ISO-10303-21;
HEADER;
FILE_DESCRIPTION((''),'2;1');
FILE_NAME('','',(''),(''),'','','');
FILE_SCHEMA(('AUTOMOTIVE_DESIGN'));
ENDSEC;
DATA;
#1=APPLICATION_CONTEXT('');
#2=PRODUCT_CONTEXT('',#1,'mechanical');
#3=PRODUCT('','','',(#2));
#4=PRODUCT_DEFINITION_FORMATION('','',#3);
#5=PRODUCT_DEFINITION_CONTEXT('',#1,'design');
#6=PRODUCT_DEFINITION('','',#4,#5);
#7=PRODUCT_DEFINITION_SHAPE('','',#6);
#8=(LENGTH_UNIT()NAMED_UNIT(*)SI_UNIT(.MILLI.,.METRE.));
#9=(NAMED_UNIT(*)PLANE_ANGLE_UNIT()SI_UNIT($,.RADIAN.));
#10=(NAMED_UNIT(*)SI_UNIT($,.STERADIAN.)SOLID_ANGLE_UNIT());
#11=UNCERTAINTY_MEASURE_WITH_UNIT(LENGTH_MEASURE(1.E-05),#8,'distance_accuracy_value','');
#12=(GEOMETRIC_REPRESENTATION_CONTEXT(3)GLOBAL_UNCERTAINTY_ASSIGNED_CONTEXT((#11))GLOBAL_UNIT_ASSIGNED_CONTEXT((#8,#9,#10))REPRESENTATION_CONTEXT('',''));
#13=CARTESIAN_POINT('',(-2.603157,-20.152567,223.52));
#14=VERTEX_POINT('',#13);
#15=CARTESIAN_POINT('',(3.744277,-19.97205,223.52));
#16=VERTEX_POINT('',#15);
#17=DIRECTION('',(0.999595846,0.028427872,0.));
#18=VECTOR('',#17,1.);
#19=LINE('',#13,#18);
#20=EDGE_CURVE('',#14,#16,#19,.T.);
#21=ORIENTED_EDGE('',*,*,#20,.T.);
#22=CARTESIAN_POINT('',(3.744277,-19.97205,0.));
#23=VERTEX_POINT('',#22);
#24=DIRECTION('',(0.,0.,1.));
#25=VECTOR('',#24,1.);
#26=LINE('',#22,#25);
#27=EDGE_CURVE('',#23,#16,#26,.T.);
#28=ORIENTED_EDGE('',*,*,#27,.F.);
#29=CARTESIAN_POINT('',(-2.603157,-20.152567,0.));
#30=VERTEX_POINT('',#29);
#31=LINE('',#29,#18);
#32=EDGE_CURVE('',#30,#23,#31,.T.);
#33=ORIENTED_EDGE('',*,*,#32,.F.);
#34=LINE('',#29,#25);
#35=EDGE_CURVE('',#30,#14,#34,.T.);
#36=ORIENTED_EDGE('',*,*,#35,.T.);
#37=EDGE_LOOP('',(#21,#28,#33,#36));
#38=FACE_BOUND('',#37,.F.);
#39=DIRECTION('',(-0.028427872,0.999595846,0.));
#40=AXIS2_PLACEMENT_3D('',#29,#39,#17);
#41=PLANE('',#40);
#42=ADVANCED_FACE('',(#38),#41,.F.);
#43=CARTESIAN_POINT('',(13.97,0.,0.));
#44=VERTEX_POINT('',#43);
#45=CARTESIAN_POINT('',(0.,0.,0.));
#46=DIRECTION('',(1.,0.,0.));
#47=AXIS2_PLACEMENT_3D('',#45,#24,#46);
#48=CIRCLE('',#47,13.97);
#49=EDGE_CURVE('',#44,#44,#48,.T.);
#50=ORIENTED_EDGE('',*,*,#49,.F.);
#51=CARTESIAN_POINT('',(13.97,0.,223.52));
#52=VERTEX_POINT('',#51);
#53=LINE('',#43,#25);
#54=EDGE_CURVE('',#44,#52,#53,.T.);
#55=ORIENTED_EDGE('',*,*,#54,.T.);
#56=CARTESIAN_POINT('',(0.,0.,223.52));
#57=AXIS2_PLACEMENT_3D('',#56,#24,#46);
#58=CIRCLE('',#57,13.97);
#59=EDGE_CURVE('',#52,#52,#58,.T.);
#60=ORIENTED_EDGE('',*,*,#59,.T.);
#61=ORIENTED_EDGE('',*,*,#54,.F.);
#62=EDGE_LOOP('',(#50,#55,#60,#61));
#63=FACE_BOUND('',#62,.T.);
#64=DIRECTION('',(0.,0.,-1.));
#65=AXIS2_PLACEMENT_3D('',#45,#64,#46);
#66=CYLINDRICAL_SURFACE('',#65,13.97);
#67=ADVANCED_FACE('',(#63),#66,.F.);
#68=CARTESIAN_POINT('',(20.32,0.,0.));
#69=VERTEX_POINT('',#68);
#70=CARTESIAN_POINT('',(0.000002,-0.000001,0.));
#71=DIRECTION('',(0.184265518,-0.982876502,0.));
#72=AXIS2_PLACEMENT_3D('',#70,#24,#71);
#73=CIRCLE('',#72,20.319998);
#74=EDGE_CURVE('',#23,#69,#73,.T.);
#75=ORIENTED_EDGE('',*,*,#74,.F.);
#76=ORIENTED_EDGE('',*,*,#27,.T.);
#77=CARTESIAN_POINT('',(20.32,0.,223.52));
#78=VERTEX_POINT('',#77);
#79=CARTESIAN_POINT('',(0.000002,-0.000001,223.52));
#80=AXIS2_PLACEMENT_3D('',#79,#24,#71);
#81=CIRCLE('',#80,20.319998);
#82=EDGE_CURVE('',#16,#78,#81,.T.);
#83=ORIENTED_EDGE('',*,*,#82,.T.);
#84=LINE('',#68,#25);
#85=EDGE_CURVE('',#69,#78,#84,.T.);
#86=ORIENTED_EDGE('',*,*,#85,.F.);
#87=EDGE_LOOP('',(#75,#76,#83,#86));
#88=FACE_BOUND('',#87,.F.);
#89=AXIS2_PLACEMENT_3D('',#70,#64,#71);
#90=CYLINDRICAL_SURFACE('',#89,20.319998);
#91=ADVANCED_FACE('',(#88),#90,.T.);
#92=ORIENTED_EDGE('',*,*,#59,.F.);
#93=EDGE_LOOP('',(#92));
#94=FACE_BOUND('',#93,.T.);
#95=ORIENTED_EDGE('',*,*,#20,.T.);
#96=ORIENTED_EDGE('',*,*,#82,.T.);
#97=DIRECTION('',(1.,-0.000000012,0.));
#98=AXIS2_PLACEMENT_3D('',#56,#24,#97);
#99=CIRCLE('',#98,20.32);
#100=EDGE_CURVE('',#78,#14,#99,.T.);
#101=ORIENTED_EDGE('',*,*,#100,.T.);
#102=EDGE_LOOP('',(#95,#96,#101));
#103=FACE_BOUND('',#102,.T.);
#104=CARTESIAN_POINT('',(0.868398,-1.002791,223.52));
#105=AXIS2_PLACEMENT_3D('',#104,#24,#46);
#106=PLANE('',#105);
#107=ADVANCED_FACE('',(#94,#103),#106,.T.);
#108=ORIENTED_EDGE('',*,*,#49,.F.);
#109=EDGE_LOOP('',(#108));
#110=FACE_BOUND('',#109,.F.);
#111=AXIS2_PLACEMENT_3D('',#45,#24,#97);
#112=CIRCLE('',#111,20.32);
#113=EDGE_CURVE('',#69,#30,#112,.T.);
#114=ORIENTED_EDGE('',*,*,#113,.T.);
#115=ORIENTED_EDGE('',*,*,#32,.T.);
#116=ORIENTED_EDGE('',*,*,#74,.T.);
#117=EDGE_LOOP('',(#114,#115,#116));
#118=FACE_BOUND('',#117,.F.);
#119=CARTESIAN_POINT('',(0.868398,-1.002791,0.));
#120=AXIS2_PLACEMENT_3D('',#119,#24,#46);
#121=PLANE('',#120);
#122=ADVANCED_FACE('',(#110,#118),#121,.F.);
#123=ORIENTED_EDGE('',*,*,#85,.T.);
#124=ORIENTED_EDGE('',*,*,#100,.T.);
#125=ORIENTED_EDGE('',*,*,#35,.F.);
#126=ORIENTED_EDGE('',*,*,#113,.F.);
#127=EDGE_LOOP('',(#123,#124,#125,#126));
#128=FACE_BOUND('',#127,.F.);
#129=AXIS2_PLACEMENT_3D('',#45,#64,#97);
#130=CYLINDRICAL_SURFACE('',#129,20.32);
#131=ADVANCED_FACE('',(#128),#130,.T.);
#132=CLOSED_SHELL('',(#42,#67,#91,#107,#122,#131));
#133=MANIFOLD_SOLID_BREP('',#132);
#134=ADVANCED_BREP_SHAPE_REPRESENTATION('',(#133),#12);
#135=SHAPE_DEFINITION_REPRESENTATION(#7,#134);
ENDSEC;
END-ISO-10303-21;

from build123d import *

# Parameters (mm, degrees)
F0_R     = 13.97
F1_DEPTH = 223.52


with BuildPart() as f1:
    # F0 (on Top) → F1 (new body)
    with BuildSketch(Plane.XY):
        with BuildLine():
            ThreePointArc((3.744277, -19.97205), (15.636274, -12.977263), (20.32, 0))
            ThreePointArc((20.32, 0), (-13.416524, 15.261038), (-2.603157, -20.152567))
            Line((-2.603157, -20.152567), (3.744277, -19.97205))
        make_face()
        Circle(F0_R, mode=Mode.SUBTRACT)
    extrude(amount=F1_DEPTH)


solid = f1.part
